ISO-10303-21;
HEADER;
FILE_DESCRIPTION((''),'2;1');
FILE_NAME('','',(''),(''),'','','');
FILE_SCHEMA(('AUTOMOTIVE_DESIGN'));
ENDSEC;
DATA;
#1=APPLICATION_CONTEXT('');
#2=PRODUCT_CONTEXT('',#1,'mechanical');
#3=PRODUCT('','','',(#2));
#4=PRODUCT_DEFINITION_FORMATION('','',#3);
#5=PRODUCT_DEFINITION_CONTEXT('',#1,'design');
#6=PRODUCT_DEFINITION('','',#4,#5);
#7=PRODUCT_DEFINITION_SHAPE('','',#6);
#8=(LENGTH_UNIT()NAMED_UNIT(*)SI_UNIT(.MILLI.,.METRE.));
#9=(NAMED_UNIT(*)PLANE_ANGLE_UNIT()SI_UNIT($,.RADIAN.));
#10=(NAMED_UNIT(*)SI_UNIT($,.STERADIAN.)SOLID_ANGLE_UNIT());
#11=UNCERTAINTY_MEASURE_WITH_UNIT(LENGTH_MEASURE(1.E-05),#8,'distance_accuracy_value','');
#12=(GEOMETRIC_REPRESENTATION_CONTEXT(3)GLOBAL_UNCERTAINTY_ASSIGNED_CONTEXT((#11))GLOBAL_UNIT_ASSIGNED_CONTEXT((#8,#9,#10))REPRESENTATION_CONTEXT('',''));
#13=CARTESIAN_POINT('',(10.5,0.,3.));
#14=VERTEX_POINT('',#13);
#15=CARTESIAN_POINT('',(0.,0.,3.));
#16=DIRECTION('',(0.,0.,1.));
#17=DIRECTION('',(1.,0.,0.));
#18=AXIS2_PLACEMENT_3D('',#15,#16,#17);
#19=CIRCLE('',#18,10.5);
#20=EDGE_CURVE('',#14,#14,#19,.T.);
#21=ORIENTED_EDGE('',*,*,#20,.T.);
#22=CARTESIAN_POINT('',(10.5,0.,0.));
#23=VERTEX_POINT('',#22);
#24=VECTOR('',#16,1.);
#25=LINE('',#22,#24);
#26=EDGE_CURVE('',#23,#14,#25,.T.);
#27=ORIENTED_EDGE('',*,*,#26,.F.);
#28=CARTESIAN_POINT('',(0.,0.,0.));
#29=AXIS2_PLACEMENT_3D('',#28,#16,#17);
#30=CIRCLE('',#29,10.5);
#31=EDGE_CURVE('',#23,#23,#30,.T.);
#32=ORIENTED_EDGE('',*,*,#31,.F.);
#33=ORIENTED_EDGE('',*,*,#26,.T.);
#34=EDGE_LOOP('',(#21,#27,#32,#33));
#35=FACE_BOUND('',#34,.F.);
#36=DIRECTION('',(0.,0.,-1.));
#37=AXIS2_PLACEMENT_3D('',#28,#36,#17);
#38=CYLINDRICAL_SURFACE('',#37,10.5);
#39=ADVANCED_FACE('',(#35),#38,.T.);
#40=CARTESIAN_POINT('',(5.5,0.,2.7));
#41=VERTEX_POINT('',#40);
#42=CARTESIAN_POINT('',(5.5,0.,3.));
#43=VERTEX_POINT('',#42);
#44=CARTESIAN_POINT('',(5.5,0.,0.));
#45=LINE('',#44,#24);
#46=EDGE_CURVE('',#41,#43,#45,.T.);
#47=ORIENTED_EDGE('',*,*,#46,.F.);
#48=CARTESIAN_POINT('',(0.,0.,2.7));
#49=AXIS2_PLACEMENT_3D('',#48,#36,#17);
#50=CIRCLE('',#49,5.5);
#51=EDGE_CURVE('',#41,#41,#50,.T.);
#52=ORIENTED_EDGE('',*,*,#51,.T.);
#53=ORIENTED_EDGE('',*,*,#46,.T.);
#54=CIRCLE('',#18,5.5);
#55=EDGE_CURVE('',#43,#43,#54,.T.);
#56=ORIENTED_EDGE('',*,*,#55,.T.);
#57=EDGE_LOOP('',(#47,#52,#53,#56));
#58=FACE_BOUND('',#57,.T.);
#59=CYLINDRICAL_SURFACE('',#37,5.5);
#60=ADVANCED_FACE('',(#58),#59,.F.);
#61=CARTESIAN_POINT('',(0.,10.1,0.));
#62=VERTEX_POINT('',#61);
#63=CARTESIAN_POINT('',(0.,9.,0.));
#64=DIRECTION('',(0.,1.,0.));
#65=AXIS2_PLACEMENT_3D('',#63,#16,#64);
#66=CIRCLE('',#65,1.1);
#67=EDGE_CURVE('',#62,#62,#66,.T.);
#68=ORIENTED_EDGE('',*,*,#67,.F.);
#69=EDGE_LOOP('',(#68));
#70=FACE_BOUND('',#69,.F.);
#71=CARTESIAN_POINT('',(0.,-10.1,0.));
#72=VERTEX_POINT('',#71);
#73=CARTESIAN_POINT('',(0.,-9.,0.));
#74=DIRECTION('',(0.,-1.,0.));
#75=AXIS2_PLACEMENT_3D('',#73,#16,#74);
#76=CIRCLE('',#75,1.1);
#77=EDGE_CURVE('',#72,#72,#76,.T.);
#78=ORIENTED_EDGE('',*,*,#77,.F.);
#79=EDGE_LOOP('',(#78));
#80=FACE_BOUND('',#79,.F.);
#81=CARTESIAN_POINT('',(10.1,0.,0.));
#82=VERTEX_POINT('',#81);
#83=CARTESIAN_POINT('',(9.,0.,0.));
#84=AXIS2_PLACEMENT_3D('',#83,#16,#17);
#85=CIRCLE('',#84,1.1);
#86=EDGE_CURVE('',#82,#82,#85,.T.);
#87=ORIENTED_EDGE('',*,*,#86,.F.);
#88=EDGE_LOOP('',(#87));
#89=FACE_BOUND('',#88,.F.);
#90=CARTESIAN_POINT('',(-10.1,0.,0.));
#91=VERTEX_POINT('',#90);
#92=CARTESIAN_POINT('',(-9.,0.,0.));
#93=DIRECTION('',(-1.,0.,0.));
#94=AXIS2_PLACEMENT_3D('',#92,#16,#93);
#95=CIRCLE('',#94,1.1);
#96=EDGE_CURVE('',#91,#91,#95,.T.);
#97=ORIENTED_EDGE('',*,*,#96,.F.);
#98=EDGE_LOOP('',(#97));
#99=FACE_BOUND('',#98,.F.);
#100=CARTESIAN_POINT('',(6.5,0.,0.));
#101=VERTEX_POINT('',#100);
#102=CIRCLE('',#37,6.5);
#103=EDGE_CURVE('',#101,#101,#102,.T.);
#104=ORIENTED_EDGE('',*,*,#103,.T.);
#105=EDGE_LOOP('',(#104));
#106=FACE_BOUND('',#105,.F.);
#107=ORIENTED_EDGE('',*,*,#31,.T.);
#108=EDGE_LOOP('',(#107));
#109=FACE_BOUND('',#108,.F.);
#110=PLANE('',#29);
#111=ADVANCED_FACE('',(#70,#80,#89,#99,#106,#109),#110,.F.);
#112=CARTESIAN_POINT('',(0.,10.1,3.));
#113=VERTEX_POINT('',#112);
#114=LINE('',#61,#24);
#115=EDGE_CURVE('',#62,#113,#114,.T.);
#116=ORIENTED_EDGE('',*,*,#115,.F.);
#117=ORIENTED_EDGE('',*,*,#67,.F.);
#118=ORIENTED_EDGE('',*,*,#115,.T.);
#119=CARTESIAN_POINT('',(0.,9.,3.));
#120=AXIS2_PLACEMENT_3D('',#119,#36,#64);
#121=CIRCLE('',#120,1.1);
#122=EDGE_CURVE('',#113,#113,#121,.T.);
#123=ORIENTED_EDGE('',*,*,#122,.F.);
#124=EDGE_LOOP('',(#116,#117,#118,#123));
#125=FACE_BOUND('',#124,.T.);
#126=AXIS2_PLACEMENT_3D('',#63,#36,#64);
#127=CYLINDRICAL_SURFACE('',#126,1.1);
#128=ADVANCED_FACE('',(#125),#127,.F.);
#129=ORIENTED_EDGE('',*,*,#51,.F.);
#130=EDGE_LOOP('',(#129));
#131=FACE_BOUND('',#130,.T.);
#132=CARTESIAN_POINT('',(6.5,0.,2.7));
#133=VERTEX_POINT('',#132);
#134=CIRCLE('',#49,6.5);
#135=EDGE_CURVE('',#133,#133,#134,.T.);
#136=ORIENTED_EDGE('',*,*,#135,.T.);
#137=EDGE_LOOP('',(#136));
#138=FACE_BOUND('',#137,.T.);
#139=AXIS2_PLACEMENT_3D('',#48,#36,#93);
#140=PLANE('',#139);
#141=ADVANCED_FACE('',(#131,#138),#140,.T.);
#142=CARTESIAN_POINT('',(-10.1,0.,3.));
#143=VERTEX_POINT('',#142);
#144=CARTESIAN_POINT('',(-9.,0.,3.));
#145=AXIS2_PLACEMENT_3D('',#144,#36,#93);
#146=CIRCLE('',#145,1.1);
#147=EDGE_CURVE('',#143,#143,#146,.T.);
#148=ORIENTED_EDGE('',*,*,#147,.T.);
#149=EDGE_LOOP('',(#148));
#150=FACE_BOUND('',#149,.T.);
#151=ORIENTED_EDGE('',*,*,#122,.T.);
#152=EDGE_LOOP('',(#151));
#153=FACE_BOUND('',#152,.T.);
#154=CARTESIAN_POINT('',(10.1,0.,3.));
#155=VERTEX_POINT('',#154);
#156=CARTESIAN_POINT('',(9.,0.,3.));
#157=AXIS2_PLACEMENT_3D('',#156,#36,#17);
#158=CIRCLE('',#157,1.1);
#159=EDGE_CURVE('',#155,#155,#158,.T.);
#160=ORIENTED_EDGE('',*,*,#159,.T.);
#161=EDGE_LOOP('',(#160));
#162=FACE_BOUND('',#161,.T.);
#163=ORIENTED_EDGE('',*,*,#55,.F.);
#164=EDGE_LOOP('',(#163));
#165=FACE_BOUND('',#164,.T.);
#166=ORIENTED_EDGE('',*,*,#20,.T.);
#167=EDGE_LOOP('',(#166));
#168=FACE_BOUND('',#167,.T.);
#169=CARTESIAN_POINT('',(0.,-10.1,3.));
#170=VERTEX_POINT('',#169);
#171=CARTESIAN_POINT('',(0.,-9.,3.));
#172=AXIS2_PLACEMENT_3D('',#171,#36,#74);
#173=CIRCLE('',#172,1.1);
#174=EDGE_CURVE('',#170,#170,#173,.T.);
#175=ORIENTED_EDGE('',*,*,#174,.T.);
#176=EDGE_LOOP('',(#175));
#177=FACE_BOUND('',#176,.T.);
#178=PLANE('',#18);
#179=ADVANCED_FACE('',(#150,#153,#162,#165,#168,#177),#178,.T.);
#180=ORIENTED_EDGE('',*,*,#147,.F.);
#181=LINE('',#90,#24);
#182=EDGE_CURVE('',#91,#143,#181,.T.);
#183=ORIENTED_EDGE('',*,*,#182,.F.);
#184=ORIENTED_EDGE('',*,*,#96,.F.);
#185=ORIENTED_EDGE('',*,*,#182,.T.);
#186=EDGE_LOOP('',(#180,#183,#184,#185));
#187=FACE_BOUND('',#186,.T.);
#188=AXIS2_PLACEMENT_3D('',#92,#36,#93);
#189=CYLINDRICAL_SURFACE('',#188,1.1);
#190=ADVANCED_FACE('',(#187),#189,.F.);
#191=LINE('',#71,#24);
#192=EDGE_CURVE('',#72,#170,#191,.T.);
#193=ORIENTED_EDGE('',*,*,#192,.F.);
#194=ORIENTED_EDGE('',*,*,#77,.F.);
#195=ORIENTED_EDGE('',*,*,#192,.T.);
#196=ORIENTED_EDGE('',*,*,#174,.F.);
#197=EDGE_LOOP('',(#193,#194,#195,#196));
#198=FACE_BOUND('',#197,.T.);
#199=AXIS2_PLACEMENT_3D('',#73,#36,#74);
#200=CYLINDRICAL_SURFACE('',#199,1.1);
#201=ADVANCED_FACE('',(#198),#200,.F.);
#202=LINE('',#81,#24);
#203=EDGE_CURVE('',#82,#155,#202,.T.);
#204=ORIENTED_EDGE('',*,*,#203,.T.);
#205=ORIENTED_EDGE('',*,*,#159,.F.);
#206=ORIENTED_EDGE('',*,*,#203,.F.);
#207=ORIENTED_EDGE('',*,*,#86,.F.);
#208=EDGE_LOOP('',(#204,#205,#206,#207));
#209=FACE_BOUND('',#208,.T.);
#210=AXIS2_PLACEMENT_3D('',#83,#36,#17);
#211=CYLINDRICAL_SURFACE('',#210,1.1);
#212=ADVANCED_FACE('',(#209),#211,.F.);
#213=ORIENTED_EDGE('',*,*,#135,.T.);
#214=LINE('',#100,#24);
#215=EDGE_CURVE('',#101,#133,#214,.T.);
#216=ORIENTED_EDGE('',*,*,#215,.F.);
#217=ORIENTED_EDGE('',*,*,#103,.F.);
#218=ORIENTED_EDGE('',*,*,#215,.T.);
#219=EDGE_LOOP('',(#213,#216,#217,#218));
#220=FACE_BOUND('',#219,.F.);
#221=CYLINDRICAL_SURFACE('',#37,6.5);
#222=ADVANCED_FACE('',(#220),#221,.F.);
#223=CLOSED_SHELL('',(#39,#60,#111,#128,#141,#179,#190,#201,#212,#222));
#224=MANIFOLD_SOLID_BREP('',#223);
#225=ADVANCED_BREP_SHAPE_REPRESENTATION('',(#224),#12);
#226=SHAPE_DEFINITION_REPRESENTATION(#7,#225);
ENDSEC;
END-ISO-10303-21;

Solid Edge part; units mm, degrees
sketch "Sketch1" plane through (0, 0, 0) normal (0, 0, 1) x (1, 0, 0)
  circle A0 centre (0, 0) radius 10.5
  circle A1 centre (0, 0) radius 5.5
extrude "Protrusion1" add sketch "Sketch1" along normal blind 3
sketch "Sketch2" plane through (0, 0, 0) normal (0, 0, -1) x (1, 0, 0)
  circle A0 centre (0, 0) radius 6.5
extrude "ExtrudedCutout_1" cut sketch "Sketch2" against normal blind 2.7
hole "Hole_1" at (0, 9, 0) direction (0, 0, 1) diameter 2.2 end up to next
pattern_circular "Pattern1" count 4 over 360 about axis through (0, 0, 0) along (0, 0, 1) of "Hole_1"
